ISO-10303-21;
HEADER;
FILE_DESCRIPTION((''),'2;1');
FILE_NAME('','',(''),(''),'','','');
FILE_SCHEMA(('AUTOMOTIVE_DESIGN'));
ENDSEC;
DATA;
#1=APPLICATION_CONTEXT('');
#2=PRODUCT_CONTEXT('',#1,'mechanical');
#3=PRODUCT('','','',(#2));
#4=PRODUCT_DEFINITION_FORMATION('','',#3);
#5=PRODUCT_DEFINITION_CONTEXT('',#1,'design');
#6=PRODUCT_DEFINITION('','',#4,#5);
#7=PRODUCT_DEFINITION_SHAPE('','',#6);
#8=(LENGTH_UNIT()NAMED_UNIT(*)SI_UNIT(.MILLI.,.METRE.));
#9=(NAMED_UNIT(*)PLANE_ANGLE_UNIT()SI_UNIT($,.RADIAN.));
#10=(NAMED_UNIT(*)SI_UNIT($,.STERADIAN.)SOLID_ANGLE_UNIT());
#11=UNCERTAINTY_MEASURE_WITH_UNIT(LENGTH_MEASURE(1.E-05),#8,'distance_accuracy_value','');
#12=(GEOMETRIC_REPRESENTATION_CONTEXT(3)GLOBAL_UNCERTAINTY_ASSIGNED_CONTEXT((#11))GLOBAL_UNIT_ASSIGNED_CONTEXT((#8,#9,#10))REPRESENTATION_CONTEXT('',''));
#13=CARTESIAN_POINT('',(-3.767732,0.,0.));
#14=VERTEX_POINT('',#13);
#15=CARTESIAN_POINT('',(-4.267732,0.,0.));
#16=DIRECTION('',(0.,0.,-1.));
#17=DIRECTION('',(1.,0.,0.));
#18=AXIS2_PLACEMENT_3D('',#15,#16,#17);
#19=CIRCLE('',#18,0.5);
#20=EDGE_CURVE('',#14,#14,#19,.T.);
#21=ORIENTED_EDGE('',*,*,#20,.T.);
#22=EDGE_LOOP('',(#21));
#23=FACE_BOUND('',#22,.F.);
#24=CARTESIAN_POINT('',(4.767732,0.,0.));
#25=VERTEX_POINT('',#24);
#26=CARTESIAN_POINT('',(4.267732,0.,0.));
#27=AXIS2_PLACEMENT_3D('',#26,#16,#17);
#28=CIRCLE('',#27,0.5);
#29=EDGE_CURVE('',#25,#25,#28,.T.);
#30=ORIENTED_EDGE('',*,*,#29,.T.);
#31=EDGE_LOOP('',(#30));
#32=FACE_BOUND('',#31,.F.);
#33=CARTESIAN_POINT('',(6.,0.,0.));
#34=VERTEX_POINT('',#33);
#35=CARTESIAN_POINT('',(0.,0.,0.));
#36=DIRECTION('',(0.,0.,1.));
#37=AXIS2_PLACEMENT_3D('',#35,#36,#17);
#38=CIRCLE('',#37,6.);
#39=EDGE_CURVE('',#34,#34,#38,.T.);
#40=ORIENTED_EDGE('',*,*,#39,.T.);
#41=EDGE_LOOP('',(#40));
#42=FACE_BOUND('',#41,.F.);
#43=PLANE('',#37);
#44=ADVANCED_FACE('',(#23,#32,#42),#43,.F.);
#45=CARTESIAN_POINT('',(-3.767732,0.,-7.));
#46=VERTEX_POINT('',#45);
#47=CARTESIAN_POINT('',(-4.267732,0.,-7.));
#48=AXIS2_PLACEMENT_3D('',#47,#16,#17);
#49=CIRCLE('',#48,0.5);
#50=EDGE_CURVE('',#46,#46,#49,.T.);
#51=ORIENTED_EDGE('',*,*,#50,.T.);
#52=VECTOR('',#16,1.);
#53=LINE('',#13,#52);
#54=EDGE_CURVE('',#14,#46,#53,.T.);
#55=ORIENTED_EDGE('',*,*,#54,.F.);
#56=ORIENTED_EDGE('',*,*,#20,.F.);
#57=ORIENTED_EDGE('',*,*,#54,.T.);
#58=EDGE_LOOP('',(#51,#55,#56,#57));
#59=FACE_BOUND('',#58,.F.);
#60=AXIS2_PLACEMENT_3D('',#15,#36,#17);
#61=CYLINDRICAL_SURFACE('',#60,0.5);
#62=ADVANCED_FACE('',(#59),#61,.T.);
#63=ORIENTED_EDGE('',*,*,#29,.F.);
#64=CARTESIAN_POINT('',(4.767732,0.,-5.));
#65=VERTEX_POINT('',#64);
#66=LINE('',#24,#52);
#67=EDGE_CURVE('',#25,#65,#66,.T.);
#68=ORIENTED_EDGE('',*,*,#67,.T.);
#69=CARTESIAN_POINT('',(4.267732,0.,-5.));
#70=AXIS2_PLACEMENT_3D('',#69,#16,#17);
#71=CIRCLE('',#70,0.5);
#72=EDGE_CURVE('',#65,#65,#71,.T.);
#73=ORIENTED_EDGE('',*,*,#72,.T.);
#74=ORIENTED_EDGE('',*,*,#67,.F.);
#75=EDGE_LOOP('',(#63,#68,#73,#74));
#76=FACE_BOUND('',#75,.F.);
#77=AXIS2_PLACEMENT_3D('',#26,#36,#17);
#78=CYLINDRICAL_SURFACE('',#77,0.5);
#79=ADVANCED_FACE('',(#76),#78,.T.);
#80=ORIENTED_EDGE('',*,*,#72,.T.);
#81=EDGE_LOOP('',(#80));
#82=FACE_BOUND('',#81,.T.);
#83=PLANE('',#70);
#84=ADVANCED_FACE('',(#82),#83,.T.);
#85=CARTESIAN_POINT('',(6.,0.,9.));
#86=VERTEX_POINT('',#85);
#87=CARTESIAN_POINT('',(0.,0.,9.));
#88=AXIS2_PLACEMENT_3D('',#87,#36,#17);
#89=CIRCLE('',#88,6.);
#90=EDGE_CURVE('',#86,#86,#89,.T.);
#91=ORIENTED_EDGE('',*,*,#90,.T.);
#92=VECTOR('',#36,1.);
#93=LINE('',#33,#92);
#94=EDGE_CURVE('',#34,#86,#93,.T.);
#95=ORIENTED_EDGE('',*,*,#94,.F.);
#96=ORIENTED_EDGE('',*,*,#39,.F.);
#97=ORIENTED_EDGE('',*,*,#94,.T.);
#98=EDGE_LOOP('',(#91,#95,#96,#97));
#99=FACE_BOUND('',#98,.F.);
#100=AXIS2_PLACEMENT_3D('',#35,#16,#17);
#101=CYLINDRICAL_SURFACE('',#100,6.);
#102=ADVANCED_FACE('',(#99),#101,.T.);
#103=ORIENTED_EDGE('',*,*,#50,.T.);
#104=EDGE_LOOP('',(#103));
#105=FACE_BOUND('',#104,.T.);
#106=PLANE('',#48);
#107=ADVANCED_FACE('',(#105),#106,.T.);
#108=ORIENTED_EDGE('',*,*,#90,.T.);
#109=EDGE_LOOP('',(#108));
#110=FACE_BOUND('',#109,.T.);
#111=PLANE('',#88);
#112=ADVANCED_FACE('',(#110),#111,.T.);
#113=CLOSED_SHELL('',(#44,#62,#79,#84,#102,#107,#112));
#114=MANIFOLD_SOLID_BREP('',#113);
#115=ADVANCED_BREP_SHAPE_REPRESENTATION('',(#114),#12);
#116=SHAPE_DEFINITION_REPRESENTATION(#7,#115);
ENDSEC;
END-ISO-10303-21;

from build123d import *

# Parameters (mm, degrees)
F0_R     = 6
F1_DEPTH = 9
F2_R     = 0.5
F3_DEPTH = 7
F4_DEPTH = 5


with BuildPart() as f1:
    # F0 (on Top) → F1 (new body)
    with BuildSketch(Plane.XY):
        Circle(F0_R)
    extrude(amount=F1_DEPTH)

    # F2 (on face) → F3 (join)
    with BuildSketch(Plane(origin=(0, 0, 0), x_dir=(1, 0, 0), z_dir=(0, 0, -1))):
        with Locations((-4.267732, 0)):
            Circle(F2_R)
    extrude(amount=F3_DEPTH)

    # F2 (on face) → F4 (join)
    with BuildSketch(Plane(origin=(0, 0, 0), x_dir=(1, 0, 0), z_dir=(0, 0, -1))):
        with Locations((4.267732, 0)):
            Circle(F2_R)
    extrude(amount=F4_DEPTH)


solid = f1.part
